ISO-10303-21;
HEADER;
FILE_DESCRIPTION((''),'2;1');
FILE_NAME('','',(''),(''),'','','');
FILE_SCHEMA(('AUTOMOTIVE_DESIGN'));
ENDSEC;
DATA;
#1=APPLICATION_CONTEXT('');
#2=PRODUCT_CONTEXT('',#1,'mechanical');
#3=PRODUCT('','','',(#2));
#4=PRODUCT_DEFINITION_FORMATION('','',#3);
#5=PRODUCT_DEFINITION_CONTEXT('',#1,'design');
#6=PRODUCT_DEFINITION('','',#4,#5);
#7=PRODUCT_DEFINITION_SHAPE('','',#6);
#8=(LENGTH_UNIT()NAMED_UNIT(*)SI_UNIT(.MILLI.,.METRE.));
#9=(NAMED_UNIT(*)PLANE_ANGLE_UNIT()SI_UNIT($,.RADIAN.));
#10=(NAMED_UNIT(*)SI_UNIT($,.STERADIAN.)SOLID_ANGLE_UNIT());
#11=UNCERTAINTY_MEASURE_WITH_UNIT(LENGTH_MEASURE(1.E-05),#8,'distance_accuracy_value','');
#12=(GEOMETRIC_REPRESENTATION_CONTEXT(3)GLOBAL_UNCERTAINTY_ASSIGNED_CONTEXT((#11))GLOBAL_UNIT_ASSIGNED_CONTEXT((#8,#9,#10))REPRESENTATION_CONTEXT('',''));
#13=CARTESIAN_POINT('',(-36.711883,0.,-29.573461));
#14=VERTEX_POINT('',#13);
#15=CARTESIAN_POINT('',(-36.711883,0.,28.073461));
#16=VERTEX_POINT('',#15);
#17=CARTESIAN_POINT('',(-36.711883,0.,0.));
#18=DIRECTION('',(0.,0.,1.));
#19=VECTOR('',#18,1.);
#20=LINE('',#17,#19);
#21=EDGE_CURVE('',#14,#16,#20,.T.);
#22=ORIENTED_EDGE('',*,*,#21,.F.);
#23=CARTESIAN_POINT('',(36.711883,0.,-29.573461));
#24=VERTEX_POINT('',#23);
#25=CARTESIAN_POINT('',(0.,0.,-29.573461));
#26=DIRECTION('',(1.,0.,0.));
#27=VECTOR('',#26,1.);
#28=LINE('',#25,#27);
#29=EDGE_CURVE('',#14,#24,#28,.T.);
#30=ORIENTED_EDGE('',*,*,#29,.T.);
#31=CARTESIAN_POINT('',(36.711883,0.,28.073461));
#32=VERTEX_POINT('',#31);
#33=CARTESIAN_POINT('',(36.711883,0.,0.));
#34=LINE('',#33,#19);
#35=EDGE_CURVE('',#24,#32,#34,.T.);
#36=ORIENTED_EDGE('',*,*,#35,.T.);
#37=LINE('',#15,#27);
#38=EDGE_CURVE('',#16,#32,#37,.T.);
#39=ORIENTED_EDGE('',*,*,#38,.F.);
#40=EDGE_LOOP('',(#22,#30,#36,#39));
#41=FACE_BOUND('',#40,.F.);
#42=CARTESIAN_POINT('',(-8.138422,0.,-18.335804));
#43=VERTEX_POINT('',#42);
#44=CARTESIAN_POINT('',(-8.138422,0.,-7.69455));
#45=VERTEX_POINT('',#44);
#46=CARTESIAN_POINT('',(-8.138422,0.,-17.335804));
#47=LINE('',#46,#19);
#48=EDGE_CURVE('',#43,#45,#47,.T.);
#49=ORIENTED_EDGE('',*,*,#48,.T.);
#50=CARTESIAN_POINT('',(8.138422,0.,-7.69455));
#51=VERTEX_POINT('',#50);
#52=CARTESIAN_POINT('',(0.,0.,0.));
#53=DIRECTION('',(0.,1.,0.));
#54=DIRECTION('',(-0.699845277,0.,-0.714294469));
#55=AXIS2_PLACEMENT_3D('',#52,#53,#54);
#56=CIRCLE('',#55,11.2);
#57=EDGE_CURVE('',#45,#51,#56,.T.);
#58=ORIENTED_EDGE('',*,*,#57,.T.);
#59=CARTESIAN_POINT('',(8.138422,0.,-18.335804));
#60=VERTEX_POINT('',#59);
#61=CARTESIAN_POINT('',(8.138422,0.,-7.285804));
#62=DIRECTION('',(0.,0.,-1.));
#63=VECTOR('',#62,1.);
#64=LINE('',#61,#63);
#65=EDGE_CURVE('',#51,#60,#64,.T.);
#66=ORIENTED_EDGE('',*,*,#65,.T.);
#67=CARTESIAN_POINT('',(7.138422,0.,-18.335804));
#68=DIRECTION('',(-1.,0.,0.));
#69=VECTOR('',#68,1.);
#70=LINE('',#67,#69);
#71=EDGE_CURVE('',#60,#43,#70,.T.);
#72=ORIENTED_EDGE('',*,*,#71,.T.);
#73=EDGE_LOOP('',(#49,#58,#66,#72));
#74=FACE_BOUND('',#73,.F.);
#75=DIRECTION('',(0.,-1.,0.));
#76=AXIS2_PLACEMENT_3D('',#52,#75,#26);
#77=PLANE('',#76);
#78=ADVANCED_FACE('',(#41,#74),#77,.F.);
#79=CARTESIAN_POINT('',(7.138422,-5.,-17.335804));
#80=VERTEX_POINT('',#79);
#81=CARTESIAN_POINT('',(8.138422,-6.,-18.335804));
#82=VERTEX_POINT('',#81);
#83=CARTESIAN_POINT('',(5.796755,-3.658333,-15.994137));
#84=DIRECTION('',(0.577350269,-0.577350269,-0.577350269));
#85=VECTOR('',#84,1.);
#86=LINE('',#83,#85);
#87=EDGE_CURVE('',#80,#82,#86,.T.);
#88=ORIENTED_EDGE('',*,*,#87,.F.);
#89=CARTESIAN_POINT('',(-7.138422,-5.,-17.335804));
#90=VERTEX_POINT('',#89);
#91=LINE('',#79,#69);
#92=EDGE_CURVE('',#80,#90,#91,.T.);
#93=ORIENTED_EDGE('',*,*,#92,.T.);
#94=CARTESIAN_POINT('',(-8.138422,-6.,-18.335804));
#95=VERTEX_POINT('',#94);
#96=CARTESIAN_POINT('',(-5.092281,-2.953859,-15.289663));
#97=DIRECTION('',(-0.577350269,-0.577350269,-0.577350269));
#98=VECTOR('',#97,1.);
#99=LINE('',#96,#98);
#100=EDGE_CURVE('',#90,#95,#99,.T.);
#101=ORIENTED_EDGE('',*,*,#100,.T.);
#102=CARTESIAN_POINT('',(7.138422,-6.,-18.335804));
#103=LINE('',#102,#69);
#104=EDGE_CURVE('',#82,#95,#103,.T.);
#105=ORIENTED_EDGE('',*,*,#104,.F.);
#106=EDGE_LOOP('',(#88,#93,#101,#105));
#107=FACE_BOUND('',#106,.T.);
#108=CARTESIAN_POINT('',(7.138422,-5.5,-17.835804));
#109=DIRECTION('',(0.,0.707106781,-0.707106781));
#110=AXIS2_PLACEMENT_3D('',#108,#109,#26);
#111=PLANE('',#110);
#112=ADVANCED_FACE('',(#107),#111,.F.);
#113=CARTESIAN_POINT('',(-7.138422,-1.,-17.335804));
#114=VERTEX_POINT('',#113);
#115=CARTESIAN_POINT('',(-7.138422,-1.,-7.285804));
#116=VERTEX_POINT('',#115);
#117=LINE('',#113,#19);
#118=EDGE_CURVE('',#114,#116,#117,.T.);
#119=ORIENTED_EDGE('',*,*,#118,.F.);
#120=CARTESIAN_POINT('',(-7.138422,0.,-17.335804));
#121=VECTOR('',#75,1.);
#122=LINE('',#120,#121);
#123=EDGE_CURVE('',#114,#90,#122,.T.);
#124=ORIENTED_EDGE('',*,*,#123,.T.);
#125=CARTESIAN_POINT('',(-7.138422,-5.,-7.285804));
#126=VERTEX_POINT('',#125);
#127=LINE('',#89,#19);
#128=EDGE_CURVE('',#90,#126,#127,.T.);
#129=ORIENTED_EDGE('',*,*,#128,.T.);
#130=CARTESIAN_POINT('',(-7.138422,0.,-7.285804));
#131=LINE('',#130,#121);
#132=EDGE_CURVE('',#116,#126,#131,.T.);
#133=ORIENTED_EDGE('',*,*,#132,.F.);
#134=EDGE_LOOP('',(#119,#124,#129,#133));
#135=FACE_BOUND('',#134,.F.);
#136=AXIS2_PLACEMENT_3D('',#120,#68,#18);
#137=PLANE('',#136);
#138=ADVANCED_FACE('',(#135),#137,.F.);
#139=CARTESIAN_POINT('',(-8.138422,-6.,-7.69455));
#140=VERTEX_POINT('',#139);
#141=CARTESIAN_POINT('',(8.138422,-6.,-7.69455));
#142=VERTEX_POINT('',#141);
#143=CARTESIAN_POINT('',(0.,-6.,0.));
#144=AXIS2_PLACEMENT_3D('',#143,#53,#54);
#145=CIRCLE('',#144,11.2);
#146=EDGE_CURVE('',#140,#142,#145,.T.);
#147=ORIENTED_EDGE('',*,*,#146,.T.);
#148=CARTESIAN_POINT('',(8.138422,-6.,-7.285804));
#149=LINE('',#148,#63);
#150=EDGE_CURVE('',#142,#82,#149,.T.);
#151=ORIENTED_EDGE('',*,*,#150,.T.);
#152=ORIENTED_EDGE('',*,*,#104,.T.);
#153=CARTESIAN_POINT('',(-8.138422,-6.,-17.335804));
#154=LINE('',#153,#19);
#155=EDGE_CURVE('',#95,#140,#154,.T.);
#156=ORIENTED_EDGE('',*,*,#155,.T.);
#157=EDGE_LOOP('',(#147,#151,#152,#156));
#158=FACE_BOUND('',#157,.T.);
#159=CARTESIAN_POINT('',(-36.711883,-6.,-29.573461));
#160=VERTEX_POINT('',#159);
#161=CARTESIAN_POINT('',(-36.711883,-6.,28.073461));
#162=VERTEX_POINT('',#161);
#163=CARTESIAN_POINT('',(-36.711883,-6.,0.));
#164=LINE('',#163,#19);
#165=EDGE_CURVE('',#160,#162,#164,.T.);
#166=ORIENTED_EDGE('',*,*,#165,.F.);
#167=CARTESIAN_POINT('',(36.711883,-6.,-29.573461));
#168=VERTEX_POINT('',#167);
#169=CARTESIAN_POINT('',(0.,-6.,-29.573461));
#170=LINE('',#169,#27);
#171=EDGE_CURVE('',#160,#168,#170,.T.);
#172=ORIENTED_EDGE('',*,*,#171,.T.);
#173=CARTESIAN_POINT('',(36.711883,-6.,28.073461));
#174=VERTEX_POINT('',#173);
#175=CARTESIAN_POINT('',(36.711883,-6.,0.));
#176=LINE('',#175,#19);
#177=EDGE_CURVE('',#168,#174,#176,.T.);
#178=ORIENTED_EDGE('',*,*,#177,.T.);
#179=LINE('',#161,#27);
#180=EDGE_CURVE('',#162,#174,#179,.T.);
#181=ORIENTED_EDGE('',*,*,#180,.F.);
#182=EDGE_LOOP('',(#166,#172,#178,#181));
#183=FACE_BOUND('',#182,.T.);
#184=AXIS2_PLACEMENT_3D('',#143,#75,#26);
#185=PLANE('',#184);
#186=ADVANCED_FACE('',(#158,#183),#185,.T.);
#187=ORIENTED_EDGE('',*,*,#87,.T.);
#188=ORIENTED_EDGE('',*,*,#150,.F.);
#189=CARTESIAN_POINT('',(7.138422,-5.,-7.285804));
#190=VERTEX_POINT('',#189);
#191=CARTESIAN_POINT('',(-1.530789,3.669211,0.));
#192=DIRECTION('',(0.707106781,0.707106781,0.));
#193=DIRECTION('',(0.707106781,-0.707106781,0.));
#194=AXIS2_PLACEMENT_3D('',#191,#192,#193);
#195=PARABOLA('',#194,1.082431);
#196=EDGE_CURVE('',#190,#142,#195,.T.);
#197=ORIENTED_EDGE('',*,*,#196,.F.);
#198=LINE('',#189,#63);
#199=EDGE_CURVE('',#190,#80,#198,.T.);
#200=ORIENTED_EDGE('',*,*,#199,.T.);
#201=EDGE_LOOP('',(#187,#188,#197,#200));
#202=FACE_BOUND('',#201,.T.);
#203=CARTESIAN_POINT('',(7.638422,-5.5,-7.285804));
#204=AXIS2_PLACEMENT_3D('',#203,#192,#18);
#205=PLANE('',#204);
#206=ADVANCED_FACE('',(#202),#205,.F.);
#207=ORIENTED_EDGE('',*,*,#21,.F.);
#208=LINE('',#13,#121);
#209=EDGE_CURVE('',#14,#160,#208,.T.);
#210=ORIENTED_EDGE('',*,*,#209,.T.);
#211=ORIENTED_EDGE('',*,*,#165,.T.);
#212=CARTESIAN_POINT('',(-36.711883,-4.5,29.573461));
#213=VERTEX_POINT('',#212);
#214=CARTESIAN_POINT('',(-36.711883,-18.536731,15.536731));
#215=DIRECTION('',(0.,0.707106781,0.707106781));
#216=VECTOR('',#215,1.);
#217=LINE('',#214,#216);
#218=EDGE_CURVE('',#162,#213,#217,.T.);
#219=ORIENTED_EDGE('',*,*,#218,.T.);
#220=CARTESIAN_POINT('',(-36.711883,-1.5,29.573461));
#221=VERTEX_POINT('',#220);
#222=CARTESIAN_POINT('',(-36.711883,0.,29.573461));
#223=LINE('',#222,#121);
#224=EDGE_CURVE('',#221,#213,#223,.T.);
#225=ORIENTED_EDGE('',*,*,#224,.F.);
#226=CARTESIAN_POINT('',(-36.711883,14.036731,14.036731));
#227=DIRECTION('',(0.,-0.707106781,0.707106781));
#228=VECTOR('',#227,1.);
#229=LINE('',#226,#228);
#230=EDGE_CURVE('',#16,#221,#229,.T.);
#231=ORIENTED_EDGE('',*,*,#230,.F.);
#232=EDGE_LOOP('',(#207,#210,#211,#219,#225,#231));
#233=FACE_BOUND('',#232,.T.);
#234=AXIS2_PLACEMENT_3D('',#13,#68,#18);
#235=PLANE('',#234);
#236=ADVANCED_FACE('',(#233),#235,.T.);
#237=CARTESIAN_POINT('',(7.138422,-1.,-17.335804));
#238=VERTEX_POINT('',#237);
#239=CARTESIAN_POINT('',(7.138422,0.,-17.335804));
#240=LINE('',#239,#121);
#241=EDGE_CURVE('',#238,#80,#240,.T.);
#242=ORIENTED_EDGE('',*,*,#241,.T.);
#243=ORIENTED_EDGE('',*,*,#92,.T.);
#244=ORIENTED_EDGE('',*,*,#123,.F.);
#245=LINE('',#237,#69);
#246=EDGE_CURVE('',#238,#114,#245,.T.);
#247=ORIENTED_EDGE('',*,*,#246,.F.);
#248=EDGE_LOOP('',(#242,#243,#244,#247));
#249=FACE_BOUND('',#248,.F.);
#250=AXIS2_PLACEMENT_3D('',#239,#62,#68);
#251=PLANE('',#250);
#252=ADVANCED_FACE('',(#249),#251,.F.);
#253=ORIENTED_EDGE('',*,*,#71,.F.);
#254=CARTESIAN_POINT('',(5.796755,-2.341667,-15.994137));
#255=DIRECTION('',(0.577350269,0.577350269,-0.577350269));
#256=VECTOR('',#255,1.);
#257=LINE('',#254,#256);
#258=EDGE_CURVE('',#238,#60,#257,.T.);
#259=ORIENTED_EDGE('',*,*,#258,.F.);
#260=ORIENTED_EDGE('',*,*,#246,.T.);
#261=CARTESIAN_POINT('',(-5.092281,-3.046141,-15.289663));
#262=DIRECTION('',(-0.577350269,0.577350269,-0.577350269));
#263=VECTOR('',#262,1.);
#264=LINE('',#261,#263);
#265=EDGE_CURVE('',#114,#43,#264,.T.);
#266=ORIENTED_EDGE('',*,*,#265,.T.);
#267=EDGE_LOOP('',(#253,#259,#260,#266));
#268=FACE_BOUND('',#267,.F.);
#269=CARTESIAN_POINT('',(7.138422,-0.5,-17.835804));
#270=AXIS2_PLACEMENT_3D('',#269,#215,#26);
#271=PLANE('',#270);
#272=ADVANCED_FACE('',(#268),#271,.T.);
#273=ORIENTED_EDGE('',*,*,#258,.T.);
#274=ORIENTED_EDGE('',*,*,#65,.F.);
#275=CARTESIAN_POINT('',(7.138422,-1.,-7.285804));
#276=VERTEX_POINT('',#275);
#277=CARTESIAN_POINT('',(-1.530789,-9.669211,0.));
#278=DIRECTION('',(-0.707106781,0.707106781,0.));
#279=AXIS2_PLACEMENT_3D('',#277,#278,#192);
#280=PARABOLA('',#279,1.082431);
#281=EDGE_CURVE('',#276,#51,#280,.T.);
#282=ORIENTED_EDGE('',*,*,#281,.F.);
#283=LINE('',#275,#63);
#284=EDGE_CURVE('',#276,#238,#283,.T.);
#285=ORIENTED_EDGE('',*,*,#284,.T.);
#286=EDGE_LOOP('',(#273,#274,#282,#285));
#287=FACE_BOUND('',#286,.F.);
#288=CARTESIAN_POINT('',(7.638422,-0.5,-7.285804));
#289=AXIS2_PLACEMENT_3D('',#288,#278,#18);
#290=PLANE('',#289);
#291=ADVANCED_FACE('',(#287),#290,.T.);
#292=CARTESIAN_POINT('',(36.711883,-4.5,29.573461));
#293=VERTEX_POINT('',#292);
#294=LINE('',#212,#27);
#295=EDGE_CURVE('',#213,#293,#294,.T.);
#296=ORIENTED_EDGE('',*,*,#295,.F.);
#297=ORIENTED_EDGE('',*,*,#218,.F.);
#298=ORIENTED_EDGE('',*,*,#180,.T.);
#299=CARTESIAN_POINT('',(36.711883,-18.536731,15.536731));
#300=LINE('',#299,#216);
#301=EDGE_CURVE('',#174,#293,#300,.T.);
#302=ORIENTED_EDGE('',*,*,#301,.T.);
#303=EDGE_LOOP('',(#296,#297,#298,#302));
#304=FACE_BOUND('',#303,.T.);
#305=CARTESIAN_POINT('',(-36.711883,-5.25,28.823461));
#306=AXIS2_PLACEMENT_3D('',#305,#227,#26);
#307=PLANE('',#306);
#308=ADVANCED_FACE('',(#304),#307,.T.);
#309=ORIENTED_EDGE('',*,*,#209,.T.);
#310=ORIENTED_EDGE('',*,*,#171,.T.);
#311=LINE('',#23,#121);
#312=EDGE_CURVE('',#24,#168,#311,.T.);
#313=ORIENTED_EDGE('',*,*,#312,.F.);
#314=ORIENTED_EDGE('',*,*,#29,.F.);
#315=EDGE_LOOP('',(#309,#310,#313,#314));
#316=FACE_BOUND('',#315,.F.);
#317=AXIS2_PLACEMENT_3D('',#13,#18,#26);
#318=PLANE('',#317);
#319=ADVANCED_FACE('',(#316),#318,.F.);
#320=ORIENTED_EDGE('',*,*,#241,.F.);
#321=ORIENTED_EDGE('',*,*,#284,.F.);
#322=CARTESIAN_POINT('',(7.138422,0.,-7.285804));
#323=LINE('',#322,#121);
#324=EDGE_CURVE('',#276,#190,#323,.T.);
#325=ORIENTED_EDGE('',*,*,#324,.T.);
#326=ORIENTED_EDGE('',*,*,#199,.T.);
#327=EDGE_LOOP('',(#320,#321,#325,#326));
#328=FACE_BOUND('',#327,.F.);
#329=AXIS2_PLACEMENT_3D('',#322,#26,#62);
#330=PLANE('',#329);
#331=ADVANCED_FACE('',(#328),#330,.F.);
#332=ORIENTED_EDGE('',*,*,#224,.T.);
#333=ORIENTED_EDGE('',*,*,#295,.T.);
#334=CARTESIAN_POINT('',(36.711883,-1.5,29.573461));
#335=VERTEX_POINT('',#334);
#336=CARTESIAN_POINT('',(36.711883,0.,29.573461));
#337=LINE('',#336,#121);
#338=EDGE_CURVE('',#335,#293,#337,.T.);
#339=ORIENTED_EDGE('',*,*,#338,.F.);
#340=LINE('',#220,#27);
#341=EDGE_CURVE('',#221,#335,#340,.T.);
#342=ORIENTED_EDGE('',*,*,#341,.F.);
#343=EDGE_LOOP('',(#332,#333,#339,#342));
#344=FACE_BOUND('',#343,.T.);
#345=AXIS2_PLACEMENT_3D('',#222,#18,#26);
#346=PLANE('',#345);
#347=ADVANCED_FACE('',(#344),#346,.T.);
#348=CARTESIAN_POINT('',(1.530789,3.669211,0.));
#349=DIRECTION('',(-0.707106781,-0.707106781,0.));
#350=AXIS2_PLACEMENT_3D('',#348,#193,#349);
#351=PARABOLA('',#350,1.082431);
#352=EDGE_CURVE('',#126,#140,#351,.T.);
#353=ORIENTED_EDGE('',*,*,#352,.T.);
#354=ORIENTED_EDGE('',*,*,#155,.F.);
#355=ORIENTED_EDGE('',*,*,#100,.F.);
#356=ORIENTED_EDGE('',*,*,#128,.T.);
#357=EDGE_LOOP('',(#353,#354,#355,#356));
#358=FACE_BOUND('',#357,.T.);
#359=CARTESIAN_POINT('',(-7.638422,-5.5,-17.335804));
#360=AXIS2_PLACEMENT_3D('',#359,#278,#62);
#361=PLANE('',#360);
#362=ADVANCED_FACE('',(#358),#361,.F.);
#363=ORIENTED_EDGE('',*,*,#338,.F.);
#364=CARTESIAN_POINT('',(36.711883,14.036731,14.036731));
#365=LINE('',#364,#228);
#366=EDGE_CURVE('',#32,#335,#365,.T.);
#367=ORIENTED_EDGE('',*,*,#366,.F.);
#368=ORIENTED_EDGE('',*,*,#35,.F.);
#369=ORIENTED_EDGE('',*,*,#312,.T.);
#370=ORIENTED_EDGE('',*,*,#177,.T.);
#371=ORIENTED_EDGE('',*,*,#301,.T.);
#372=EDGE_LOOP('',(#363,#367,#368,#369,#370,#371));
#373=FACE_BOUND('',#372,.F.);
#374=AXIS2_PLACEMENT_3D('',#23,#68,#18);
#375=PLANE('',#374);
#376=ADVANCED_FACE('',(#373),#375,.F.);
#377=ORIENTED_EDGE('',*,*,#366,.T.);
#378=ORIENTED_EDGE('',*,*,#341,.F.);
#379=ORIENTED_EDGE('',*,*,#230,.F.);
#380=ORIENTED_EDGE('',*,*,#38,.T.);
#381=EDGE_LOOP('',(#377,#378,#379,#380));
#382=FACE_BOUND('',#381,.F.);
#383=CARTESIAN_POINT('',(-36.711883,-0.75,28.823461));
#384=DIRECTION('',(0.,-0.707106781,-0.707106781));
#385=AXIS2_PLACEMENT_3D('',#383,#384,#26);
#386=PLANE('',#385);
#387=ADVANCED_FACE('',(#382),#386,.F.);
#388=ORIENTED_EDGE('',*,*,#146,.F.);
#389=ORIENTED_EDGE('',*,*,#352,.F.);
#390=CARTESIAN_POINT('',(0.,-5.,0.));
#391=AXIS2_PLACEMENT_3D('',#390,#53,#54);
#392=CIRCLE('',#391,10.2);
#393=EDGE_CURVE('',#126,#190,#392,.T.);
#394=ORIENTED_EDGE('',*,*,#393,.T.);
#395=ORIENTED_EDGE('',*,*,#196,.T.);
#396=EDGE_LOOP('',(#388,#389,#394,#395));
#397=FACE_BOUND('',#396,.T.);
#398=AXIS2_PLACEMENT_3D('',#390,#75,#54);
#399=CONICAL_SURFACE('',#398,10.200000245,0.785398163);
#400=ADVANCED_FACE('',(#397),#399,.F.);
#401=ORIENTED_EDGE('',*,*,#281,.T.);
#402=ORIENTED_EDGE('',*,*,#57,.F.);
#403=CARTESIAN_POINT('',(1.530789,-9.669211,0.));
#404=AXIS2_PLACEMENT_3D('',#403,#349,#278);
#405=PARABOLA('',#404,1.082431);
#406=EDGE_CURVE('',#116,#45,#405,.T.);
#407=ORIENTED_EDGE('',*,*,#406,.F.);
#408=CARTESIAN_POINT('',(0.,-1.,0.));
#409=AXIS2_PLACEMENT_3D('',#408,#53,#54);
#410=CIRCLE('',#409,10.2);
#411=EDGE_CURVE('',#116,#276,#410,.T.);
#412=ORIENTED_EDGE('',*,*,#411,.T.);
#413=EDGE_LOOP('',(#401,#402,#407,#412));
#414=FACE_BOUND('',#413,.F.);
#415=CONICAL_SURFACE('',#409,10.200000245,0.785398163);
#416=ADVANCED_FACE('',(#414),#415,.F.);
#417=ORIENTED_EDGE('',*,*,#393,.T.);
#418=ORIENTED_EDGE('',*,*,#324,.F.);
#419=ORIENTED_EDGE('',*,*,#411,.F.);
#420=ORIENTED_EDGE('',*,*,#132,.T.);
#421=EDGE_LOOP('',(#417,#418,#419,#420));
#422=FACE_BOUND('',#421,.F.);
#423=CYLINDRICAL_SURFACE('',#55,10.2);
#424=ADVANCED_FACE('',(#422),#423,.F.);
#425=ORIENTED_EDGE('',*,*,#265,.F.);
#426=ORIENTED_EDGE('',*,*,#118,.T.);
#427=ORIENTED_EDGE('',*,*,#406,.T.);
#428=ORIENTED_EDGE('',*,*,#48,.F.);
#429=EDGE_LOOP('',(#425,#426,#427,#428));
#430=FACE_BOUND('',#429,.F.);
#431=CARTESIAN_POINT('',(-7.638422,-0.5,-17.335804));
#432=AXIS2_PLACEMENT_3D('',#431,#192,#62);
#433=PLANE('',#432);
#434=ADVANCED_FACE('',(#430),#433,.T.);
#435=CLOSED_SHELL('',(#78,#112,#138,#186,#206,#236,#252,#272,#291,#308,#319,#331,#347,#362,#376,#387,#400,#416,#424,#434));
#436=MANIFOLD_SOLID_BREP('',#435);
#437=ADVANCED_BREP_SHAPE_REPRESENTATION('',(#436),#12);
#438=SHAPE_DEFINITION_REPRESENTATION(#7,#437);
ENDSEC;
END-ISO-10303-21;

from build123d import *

# Parameters (mm, degrees)
F0_W     = 73.423766
F0_H     = 59.146922
F1_DEPTH = 6
F2_SIZE  = 1
F3_SIZE  = 1.5


with BuildPart() as f1:
    # F0 (on Front) → F1 (new body)
    with BuildSketch(Plane.XZ):
        Rectangle(F0_W, F0_H)
        with BuildLine():
            Line((7.138422, -7.285804), (7.138422, -17.335804))
            Line((7.138422, -17.335804), (-7.138422, -17.335804))
            Line((-7.138422, -17.335804), (-7.138422, -7.285804))
            ThreePointArc((-7.138422, -7.285804), (0, 10.2), (7.138422, -7.285804))
        make_face(mode=Mode.SUBTRACT)
    extrude(amount=F1_DEPTH)

    # F2
    f2_edges = [f1.edges().sort_by_distance(p)[0] for p in [
        (0, -6, 10.2),
        (-7.138422, -6, -12.310804),
        (0, -6, -17.335804),
        (7.138422, -6, -12.310804),
        (0, 0, -17.335804),
        (-7.138422, 0, -12.310804),
        (0, 0, 10.2),
        (7.138422, 0, -12.310804),
    ]]
    chamfer(f2_edges, length=F2_SIZE)

    # F3
    f3_edges = [f1.edges().sort_by_distance(p)[0] for p in [
        (0, -6, 29.573461),
        (0, 0, 29.573461),
    ]]
    chamfer(f3_edges, length=F3_SIZE)


solid = f1.part
